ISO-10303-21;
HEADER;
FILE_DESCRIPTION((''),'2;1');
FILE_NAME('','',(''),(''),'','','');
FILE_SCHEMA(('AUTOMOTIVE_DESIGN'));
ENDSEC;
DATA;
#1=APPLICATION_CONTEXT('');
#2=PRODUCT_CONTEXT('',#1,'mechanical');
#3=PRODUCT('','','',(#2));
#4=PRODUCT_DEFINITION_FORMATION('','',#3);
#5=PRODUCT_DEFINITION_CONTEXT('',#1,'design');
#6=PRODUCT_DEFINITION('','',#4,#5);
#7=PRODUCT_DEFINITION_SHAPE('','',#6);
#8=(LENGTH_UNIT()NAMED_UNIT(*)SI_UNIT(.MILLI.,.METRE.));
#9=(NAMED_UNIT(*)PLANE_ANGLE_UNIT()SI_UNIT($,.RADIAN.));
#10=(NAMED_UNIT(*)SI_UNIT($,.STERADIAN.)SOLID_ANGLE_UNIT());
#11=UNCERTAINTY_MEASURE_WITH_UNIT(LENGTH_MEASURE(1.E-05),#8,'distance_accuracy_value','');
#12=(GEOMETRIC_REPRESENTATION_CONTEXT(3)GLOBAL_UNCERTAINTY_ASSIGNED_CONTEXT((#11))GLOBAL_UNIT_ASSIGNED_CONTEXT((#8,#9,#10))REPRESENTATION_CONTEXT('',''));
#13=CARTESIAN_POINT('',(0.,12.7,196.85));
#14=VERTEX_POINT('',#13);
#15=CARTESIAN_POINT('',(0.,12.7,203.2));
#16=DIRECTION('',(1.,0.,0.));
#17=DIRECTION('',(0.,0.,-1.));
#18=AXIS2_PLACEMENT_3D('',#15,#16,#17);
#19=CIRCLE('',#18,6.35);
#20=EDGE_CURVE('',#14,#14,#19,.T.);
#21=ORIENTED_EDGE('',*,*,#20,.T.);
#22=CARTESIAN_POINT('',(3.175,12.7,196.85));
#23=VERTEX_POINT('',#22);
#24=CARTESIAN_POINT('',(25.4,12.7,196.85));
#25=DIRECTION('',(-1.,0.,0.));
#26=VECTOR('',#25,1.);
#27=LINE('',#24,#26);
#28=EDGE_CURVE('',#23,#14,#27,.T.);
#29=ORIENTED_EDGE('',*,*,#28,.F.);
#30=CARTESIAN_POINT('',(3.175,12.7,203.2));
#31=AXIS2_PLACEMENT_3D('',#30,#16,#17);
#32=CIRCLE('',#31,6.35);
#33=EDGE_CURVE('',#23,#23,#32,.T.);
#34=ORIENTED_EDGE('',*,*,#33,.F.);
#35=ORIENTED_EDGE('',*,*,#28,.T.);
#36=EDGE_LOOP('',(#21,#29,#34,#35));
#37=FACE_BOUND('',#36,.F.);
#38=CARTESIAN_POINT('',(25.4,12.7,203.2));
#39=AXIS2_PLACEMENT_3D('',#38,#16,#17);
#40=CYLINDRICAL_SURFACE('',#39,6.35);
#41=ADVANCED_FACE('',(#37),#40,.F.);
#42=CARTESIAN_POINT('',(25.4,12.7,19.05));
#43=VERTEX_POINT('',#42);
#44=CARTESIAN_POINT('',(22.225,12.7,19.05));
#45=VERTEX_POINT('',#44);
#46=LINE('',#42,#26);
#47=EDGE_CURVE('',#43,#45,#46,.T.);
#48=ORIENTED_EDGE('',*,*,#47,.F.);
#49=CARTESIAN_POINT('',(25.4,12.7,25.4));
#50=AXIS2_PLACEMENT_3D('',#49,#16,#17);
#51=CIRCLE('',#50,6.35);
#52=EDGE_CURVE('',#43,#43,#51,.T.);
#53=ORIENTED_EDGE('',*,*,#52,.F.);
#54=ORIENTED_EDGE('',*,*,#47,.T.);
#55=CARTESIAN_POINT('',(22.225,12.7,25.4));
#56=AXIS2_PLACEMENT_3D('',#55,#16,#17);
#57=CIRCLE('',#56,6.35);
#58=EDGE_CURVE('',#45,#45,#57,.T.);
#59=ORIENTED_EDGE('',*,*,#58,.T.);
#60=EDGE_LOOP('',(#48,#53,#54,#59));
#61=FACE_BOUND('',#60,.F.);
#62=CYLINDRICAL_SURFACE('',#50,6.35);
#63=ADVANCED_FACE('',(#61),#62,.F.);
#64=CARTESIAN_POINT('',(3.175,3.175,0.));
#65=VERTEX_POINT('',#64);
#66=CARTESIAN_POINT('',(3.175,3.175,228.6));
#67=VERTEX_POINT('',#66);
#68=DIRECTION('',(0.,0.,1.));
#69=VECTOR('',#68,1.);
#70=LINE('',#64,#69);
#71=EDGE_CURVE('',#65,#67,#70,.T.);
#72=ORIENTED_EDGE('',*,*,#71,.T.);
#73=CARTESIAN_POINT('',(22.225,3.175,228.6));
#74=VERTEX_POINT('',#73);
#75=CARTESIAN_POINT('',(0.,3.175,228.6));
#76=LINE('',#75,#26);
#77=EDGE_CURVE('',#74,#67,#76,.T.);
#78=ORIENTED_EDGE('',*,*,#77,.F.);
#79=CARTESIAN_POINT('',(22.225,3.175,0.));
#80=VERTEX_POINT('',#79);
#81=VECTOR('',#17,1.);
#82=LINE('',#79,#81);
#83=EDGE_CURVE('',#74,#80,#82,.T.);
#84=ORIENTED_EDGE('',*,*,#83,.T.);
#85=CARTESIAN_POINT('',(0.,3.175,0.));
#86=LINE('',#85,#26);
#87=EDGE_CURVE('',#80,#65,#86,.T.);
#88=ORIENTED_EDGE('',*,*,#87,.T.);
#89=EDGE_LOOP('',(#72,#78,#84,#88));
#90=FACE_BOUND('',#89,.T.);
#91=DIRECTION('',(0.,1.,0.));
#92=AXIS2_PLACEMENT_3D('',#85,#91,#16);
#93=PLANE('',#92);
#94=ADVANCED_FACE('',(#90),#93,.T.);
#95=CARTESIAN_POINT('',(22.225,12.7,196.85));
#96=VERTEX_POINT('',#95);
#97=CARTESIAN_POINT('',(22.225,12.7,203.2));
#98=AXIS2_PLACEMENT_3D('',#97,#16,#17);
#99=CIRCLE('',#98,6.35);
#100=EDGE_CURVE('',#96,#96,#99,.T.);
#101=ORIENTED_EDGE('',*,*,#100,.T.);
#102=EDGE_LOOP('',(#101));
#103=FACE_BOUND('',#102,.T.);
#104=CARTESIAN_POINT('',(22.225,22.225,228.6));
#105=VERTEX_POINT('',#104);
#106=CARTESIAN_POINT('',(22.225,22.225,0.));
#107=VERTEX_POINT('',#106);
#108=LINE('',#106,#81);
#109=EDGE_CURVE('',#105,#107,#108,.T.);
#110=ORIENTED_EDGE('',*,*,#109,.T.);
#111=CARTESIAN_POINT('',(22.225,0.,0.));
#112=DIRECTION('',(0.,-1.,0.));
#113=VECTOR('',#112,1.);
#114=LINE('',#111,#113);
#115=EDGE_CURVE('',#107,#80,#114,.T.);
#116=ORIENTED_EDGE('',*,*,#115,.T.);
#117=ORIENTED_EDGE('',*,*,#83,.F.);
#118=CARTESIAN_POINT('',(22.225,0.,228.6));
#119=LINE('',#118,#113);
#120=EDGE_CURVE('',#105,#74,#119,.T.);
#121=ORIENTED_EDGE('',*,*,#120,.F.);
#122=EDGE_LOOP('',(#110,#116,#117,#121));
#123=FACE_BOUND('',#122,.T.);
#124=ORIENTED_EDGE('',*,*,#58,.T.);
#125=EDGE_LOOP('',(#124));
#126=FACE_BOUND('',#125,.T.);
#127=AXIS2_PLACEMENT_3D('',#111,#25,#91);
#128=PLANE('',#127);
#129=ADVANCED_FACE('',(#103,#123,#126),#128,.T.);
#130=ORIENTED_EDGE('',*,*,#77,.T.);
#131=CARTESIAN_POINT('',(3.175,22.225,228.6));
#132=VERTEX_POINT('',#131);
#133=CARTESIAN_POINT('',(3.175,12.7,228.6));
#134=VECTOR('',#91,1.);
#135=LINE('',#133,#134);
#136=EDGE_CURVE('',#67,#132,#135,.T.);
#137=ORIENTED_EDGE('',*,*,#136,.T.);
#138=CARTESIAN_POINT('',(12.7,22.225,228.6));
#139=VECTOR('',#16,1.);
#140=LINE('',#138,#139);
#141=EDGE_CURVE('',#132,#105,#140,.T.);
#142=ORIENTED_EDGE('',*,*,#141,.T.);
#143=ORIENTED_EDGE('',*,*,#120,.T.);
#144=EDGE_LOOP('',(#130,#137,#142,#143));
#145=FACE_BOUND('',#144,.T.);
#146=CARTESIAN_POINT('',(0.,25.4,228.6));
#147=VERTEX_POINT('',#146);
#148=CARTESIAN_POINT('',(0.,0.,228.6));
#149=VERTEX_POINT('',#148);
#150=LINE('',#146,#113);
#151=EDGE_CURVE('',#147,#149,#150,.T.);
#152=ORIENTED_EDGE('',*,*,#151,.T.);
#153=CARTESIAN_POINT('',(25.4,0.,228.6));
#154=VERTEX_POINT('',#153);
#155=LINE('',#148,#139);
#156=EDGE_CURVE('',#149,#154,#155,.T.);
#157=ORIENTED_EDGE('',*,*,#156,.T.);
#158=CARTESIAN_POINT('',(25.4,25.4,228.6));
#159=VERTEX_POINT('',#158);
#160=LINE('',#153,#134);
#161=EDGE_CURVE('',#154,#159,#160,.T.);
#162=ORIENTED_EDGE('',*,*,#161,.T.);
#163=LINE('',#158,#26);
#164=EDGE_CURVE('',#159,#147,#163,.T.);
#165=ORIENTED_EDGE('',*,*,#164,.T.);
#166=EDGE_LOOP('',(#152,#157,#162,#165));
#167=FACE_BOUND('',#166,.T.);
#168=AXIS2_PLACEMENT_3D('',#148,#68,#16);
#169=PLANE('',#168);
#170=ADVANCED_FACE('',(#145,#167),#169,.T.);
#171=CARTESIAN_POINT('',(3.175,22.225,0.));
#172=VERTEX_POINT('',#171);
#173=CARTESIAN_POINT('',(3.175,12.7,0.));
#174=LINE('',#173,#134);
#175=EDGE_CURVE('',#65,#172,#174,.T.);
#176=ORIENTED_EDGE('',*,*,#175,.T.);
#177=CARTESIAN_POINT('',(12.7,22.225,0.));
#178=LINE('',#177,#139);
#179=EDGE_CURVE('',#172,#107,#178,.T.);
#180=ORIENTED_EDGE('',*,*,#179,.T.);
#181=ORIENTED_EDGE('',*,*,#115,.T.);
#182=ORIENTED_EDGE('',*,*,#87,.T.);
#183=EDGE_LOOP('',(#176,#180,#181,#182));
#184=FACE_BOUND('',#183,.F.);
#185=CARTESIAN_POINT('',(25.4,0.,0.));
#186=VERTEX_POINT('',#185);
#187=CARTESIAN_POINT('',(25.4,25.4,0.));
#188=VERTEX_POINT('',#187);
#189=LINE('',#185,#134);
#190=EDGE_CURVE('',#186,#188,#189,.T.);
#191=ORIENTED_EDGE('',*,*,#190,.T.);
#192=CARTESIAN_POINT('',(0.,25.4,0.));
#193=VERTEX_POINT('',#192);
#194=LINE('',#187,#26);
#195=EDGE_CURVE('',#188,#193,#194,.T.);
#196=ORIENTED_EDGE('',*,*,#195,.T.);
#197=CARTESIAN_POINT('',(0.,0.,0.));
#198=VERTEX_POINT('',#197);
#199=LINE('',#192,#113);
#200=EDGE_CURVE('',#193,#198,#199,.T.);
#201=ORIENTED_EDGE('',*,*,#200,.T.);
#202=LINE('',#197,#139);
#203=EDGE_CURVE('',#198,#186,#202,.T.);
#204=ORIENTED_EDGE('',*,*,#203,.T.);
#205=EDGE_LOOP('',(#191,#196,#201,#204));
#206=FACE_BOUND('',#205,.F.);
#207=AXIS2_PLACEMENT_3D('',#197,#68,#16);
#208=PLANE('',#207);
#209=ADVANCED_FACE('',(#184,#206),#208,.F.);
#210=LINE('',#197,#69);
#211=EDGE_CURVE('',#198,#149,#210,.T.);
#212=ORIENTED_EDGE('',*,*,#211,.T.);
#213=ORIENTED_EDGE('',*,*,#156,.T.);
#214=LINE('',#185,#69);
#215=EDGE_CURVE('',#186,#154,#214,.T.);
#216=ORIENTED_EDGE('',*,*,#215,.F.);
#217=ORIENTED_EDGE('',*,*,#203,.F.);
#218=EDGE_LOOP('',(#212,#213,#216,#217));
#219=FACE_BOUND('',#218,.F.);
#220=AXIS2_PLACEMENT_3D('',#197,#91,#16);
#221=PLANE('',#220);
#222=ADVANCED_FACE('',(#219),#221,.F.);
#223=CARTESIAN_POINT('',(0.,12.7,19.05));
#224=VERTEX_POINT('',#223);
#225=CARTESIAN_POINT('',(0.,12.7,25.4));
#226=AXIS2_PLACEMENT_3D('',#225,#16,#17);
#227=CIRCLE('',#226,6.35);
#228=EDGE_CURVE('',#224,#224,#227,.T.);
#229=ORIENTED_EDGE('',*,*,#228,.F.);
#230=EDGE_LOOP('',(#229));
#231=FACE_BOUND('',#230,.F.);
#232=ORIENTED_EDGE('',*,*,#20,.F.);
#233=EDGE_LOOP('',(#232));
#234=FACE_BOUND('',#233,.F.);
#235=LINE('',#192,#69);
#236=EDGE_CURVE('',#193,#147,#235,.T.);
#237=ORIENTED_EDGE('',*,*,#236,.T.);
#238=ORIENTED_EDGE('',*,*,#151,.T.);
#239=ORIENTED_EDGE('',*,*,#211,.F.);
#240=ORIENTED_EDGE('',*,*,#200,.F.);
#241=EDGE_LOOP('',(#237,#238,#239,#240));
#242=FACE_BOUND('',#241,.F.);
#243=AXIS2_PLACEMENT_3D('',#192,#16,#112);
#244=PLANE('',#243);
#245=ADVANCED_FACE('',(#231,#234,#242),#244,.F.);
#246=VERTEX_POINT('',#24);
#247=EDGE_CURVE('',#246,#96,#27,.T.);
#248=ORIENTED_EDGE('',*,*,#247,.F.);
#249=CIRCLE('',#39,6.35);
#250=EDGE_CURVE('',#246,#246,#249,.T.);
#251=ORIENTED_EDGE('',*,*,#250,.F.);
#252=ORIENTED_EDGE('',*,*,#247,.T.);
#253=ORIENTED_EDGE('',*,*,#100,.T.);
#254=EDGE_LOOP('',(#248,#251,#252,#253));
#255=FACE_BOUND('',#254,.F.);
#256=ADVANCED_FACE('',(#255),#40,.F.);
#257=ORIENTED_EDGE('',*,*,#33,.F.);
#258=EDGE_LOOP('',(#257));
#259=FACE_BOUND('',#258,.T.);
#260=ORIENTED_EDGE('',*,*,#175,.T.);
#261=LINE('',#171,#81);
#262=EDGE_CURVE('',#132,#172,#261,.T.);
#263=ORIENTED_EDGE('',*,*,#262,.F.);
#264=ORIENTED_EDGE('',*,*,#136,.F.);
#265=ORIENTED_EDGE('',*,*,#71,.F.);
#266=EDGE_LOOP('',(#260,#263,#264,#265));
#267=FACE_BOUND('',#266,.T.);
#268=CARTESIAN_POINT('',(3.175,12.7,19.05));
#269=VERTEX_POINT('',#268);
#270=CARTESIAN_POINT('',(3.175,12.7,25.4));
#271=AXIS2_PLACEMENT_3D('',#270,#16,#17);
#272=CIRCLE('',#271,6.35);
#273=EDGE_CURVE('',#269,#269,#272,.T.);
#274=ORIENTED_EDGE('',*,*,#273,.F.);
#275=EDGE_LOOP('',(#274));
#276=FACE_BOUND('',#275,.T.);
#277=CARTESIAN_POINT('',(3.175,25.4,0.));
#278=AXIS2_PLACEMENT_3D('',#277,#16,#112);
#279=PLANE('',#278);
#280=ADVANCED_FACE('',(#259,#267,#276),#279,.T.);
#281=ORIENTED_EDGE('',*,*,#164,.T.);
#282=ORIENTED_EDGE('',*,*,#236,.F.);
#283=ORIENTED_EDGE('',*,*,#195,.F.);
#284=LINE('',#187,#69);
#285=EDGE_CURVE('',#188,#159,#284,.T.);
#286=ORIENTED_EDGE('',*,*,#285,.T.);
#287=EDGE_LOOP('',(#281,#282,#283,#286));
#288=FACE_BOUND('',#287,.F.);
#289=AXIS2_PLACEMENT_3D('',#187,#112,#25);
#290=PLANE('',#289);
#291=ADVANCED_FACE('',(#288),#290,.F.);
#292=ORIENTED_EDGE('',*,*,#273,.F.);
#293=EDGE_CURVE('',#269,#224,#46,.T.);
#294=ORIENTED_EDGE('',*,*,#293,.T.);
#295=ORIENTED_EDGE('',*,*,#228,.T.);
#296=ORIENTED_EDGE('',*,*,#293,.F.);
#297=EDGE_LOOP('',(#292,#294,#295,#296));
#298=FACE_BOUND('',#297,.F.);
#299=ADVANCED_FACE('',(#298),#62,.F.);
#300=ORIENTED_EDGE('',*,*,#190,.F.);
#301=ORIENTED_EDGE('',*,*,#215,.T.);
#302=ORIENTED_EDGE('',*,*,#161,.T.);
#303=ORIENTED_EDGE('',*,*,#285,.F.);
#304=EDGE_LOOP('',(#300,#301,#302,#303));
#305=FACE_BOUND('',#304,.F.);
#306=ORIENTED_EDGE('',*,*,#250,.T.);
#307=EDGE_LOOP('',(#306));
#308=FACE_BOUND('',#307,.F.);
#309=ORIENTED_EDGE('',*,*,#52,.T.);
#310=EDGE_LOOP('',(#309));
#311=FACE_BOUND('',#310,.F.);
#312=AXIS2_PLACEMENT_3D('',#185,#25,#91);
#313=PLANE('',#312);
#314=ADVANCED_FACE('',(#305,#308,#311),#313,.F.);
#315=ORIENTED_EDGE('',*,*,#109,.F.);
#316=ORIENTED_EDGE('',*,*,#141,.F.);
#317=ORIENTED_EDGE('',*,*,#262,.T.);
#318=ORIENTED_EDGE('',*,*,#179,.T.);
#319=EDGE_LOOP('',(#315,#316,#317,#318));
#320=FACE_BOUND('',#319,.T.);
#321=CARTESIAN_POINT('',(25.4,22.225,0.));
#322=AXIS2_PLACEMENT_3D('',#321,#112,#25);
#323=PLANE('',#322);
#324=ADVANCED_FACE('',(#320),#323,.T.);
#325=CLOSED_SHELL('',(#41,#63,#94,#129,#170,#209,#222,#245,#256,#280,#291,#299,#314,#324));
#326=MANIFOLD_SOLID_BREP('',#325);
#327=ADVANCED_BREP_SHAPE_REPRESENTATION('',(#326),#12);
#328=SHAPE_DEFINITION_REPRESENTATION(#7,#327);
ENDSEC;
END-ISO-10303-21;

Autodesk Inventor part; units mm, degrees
ref_plane "YZ Plane" through (0, 0, 0) normal (1, 0, 0) x (0, 1, 0)
ref_plane "XZ Plane" through (0, 0, 0) normal (0, 1, 0) x (-1, 0, 0)
ref_plane "XY Plane" through (0, 0, 0) normal (0, 0, 1) x (1, 0, 0)
sketch "Sketch1" plane through (0, 0, 0) normal (0, 0, 1) x (1, 0, 0)
  line L0 (0, 0) -> (25.4, 0)
  line L1 (25.4, 0) -> (25.4, 25.4)
  line L2 (25.4, 25.4) -> (0, 25.4)
  line L3 (0, 25.4) -> (0, 0)
  dimension "d0" = 25.4
  dimension "d1" = 25.4
extrude "Extrusion1" add sketch "Sketch1" along normal blind 228.6
shell "Shell1" thickness 3.175 removed faces 2 at (8.4667, 16.9333, 0) at (8.4667, 16.9333, 228.6)
sketch "Sketch2" plane through (25.4, 0, 0) normal (1, 0, 0) x (0, 0, -1)
  circle A0 centre (-25.4, 12.7) radius 6.35
  line L0 (0, 25.4) -> (-228.6, 25.4) projected
  line L1 (0, 0) -> (0, 25.4) projected
  circle A1 centre (-203.2, 12.7) radius 6.35
  line L2 (-228.6, 0) -> (-228.6, 25.4) projected
  dimension "d5" = 12.7
  dimension "d6" = 12.7
  dimension "d7" = 25.4
  dimension "d10" = 12.7
  dimension "d11" = 12.7
  dimension "d12" = 25.4
extrude "Extrusion2" cut sketch "Sketch2" against normal blind 228.6
properties part number "Kermit Arm_Connecter"
